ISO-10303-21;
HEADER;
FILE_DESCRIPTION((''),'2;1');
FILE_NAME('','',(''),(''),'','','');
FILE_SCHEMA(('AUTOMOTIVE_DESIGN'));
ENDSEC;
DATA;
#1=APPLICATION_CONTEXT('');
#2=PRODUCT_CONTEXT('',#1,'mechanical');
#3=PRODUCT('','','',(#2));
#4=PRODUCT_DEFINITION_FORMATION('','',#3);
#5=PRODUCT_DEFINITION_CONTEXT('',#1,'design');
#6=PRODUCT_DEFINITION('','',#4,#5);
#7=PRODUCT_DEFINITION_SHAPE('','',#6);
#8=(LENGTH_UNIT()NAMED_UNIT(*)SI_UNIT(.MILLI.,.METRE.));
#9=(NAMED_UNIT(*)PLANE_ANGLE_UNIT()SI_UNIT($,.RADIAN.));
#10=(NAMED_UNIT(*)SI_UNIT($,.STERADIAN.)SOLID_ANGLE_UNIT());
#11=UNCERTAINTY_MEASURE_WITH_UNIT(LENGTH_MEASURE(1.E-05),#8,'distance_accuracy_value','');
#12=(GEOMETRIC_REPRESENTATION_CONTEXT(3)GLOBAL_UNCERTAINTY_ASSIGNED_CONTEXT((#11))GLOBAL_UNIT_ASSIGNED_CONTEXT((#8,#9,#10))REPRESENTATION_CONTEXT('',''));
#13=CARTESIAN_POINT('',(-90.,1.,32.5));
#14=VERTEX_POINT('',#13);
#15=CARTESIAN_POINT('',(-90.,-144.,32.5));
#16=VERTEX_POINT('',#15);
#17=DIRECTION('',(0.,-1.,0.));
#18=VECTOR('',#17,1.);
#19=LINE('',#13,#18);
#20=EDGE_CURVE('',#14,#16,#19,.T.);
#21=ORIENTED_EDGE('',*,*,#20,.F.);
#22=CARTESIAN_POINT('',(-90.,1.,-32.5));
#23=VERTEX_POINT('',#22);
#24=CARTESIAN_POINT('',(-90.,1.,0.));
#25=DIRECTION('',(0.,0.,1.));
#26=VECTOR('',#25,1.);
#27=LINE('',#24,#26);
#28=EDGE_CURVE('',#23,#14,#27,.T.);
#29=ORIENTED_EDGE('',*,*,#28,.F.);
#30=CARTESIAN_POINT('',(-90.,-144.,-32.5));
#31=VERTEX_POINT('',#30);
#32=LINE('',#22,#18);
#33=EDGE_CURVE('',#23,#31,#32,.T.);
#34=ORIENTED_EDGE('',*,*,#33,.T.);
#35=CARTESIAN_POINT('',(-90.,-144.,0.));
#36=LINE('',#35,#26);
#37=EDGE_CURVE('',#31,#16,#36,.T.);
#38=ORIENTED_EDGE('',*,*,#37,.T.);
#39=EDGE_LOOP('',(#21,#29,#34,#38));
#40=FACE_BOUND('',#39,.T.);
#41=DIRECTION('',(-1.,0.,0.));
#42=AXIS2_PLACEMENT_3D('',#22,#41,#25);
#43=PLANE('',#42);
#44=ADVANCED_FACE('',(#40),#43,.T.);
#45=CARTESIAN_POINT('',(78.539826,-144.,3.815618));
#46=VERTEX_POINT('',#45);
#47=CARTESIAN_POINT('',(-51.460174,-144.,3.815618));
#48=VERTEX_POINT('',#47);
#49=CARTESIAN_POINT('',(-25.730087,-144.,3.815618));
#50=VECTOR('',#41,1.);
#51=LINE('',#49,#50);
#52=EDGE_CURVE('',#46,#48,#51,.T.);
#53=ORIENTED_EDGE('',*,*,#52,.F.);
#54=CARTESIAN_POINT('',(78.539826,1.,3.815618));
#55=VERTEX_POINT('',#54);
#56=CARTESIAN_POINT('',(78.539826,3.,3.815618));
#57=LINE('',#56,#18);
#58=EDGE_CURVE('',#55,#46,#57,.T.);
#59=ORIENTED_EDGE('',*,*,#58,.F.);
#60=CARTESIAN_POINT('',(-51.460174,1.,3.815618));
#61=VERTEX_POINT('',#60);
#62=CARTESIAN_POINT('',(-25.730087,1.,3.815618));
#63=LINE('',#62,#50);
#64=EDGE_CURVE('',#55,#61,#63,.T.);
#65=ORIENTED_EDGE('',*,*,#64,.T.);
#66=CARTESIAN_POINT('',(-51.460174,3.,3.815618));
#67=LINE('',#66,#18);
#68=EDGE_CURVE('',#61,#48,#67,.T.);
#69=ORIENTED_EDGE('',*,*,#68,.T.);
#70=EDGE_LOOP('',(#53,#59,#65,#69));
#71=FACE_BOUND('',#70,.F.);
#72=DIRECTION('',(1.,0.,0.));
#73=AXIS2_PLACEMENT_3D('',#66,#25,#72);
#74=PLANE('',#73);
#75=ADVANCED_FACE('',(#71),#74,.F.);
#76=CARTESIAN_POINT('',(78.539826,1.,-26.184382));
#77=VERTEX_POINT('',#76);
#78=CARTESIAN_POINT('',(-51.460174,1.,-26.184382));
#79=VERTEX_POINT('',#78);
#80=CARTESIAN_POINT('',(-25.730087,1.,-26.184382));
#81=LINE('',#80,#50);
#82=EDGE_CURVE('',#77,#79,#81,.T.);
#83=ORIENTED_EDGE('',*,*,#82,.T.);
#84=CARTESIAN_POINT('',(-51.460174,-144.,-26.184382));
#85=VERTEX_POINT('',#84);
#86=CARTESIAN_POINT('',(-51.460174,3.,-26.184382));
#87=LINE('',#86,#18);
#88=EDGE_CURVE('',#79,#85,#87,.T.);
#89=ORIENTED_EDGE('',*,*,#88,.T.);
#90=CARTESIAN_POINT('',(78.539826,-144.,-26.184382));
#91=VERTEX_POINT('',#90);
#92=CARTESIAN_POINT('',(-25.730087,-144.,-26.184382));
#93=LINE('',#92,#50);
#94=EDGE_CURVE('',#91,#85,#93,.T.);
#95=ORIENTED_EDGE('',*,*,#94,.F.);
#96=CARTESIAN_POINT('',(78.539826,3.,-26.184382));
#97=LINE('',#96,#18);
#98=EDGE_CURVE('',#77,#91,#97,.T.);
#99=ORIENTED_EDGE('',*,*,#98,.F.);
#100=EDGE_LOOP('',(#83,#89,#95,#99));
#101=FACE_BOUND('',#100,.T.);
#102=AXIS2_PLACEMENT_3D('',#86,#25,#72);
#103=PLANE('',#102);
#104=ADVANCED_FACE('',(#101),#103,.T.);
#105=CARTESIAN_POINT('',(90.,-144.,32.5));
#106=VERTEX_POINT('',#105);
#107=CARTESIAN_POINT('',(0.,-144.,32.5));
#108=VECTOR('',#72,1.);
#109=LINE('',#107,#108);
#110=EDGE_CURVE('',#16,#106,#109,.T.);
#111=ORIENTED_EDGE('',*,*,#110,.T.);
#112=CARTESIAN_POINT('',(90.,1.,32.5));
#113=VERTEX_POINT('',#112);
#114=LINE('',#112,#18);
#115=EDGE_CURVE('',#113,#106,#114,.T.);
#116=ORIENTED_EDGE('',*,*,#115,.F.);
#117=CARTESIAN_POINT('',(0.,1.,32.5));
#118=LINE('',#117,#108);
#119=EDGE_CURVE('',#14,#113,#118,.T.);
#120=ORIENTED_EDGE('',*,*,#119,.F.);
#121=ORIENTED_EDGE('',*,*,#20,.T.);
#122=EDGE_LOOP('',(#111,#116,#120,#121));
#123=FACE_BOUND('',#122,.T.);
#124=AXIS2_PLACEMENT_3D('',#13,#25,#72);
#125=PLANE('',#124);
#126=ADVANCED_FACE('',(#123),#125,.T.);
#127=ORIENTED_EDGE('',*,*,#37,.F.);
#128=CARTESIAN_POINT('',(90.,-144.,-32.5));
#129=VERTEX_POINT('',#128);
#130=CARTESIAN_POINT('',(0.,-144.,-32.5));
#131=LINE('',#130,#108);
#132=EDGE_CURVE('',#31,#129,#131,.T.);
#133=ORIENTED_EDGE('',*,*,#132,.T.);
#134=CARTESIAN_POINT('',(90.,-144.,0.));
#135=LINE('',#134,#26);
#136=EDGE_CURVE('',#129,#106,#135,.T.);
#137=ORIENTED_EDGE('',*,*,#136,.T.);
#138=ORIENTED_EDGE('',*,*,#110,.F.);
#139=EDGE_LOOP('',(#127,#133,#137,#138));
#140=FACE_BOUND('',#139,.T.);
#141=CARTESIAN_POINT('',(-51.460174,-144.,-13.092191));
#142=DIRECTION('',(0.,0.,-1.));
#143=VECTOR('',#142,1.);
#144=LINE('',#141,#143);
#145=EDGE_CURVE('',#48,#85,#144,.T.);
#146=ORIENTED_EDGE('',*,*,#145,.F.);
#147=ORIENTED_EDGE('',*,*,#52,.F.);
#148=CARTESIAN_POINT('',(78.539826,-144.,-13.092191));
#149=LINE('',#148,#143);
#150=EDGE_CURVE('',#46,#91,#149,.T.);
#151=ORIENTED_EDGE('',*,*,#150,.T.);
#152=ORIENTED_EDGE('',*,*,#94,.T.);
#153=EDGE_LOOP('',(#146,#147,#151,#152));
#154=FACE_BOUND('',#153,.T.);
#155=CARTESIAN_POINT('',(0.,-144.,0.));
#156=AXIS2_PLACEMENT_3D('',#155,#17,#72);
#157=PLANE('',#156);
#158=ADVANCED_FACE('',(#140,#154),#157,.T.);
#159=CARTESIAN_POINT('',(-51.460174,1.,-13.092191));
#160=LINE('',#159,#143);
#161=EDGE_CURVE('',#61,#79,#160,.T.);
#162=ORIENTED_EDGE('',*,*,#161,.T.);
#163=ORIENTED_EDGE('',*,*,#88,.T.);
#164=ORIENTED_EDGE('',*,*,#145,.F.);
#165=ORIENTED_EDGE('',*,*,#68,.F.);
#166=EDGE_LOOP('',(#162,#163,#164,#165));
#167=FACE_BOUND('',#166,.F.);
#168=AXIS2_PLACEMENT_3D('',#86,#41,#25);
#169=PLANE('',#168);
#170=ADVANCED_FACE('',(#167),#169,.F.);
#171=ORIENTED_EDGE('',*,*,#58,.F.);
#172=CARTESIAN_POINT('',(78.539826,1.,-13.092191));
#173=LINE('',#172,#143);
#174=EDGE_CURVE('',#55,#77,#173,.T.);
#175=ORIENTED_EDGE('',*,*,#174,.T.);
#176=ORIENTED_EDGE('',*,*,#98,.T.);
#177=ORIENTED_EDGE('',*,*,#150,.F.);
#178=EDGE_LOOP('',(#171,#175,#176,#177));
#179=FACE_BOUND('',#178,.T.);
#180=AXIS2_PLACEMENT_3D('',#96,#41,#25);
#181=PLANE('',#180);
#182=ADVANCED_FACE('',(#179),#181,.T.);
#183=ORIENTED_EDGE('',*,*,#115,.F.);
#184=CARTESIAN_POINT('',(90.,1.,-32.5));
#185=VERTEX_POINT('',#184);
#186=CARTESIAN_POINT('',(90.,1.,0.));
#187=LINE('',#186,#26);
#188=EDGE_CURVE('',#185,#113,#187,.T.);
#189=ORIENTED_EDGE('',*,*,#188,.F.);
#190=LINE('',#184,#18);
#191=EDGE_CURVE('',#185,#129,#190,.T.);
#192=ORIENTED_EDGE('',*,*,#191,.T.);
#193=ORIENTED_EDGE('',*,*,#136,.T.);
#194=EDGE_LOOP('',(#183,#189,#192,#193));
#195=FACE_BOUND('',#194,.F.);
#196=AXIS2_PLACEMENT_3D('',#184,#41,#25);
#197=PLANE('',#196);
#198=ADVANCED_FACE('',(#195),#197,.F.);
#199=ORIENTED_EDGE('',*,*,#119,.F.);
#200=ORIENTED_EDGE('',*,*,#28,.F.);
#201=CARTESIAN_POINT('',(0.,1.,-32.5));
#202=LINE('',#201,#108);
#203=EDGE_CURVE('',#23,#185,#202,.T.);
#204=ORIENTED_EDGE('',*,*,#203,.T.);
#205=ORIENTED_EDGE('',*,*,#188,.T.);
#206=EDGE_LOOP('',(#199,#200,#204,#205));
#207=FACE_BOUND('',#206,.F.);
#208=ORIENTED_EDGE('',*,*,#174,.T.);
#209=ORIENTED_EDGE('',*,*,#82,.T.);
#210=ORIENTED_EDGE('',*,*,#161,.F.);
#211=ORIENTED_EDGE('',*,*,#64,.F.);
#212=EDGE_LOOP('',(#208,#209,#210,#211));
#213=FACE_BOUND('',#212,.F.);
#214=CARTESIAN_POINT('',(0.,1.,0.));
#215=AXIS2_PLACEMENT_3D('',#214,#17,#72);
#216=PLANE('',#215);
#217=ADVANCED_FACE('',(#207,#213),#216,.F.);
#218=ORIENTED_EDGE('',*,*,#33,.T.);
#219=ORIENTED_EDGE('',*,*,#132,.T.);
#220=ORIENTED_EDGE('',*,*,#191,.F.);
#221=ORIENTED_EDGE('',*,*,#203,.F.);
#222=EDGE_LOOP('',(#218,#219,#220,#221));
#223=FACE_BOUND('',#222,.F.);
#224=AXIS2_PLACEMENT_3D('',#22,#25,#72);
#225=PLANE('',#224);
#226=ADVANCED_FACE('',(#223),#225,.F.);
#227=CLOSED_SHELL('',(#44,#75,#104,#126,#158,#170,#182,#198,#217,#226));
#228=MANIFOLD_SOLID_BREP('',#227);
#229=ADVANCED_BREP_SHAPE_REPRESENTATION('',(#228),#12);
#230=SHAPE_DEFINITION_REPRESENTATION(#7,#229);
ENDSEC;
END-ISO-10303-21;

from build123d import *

# Parameters (mm, degrees)
SKETCH003_W  = 130
SKETCH003_H  = 30
PAD003_DEPTH = 150
SKETCH002_W  = 180
SKETCH002_H  = 65
PAD002_DEPTH = 145


with BuildPart() as body002:
    # Sketch003 → Pad003 (new body)
    with BuildSketch(Plane.XZ):
        with Locations((13.539826, -11.184382)):
            Rectangle(SKETCH003_W, SKETCH003_H)
    extrude(amount=PAD003_DEPTH)


with BuildPart() as body002_1:
    # Body002 placement: moved
    add(body002.part.moved(Location((0, 2, 0))))


with BuildPart() as cut:
    # Sketch002 → Pad002 (new body)
    with BuildSketch(Plane.XZ):
        Rectangle(SKETCH002_W, SKETCH002_H)
    extrude(amount=PAD002_DEPTH)

    # Cut: cut Body002
    add(body002_1.part, mode=Mode.SUBTRACT)


with BuildPart() as cut_1:
    # Cut placement: moved
    add(cut.part.moved(Location((0, 1, 0))))


solid = cut_1.part
